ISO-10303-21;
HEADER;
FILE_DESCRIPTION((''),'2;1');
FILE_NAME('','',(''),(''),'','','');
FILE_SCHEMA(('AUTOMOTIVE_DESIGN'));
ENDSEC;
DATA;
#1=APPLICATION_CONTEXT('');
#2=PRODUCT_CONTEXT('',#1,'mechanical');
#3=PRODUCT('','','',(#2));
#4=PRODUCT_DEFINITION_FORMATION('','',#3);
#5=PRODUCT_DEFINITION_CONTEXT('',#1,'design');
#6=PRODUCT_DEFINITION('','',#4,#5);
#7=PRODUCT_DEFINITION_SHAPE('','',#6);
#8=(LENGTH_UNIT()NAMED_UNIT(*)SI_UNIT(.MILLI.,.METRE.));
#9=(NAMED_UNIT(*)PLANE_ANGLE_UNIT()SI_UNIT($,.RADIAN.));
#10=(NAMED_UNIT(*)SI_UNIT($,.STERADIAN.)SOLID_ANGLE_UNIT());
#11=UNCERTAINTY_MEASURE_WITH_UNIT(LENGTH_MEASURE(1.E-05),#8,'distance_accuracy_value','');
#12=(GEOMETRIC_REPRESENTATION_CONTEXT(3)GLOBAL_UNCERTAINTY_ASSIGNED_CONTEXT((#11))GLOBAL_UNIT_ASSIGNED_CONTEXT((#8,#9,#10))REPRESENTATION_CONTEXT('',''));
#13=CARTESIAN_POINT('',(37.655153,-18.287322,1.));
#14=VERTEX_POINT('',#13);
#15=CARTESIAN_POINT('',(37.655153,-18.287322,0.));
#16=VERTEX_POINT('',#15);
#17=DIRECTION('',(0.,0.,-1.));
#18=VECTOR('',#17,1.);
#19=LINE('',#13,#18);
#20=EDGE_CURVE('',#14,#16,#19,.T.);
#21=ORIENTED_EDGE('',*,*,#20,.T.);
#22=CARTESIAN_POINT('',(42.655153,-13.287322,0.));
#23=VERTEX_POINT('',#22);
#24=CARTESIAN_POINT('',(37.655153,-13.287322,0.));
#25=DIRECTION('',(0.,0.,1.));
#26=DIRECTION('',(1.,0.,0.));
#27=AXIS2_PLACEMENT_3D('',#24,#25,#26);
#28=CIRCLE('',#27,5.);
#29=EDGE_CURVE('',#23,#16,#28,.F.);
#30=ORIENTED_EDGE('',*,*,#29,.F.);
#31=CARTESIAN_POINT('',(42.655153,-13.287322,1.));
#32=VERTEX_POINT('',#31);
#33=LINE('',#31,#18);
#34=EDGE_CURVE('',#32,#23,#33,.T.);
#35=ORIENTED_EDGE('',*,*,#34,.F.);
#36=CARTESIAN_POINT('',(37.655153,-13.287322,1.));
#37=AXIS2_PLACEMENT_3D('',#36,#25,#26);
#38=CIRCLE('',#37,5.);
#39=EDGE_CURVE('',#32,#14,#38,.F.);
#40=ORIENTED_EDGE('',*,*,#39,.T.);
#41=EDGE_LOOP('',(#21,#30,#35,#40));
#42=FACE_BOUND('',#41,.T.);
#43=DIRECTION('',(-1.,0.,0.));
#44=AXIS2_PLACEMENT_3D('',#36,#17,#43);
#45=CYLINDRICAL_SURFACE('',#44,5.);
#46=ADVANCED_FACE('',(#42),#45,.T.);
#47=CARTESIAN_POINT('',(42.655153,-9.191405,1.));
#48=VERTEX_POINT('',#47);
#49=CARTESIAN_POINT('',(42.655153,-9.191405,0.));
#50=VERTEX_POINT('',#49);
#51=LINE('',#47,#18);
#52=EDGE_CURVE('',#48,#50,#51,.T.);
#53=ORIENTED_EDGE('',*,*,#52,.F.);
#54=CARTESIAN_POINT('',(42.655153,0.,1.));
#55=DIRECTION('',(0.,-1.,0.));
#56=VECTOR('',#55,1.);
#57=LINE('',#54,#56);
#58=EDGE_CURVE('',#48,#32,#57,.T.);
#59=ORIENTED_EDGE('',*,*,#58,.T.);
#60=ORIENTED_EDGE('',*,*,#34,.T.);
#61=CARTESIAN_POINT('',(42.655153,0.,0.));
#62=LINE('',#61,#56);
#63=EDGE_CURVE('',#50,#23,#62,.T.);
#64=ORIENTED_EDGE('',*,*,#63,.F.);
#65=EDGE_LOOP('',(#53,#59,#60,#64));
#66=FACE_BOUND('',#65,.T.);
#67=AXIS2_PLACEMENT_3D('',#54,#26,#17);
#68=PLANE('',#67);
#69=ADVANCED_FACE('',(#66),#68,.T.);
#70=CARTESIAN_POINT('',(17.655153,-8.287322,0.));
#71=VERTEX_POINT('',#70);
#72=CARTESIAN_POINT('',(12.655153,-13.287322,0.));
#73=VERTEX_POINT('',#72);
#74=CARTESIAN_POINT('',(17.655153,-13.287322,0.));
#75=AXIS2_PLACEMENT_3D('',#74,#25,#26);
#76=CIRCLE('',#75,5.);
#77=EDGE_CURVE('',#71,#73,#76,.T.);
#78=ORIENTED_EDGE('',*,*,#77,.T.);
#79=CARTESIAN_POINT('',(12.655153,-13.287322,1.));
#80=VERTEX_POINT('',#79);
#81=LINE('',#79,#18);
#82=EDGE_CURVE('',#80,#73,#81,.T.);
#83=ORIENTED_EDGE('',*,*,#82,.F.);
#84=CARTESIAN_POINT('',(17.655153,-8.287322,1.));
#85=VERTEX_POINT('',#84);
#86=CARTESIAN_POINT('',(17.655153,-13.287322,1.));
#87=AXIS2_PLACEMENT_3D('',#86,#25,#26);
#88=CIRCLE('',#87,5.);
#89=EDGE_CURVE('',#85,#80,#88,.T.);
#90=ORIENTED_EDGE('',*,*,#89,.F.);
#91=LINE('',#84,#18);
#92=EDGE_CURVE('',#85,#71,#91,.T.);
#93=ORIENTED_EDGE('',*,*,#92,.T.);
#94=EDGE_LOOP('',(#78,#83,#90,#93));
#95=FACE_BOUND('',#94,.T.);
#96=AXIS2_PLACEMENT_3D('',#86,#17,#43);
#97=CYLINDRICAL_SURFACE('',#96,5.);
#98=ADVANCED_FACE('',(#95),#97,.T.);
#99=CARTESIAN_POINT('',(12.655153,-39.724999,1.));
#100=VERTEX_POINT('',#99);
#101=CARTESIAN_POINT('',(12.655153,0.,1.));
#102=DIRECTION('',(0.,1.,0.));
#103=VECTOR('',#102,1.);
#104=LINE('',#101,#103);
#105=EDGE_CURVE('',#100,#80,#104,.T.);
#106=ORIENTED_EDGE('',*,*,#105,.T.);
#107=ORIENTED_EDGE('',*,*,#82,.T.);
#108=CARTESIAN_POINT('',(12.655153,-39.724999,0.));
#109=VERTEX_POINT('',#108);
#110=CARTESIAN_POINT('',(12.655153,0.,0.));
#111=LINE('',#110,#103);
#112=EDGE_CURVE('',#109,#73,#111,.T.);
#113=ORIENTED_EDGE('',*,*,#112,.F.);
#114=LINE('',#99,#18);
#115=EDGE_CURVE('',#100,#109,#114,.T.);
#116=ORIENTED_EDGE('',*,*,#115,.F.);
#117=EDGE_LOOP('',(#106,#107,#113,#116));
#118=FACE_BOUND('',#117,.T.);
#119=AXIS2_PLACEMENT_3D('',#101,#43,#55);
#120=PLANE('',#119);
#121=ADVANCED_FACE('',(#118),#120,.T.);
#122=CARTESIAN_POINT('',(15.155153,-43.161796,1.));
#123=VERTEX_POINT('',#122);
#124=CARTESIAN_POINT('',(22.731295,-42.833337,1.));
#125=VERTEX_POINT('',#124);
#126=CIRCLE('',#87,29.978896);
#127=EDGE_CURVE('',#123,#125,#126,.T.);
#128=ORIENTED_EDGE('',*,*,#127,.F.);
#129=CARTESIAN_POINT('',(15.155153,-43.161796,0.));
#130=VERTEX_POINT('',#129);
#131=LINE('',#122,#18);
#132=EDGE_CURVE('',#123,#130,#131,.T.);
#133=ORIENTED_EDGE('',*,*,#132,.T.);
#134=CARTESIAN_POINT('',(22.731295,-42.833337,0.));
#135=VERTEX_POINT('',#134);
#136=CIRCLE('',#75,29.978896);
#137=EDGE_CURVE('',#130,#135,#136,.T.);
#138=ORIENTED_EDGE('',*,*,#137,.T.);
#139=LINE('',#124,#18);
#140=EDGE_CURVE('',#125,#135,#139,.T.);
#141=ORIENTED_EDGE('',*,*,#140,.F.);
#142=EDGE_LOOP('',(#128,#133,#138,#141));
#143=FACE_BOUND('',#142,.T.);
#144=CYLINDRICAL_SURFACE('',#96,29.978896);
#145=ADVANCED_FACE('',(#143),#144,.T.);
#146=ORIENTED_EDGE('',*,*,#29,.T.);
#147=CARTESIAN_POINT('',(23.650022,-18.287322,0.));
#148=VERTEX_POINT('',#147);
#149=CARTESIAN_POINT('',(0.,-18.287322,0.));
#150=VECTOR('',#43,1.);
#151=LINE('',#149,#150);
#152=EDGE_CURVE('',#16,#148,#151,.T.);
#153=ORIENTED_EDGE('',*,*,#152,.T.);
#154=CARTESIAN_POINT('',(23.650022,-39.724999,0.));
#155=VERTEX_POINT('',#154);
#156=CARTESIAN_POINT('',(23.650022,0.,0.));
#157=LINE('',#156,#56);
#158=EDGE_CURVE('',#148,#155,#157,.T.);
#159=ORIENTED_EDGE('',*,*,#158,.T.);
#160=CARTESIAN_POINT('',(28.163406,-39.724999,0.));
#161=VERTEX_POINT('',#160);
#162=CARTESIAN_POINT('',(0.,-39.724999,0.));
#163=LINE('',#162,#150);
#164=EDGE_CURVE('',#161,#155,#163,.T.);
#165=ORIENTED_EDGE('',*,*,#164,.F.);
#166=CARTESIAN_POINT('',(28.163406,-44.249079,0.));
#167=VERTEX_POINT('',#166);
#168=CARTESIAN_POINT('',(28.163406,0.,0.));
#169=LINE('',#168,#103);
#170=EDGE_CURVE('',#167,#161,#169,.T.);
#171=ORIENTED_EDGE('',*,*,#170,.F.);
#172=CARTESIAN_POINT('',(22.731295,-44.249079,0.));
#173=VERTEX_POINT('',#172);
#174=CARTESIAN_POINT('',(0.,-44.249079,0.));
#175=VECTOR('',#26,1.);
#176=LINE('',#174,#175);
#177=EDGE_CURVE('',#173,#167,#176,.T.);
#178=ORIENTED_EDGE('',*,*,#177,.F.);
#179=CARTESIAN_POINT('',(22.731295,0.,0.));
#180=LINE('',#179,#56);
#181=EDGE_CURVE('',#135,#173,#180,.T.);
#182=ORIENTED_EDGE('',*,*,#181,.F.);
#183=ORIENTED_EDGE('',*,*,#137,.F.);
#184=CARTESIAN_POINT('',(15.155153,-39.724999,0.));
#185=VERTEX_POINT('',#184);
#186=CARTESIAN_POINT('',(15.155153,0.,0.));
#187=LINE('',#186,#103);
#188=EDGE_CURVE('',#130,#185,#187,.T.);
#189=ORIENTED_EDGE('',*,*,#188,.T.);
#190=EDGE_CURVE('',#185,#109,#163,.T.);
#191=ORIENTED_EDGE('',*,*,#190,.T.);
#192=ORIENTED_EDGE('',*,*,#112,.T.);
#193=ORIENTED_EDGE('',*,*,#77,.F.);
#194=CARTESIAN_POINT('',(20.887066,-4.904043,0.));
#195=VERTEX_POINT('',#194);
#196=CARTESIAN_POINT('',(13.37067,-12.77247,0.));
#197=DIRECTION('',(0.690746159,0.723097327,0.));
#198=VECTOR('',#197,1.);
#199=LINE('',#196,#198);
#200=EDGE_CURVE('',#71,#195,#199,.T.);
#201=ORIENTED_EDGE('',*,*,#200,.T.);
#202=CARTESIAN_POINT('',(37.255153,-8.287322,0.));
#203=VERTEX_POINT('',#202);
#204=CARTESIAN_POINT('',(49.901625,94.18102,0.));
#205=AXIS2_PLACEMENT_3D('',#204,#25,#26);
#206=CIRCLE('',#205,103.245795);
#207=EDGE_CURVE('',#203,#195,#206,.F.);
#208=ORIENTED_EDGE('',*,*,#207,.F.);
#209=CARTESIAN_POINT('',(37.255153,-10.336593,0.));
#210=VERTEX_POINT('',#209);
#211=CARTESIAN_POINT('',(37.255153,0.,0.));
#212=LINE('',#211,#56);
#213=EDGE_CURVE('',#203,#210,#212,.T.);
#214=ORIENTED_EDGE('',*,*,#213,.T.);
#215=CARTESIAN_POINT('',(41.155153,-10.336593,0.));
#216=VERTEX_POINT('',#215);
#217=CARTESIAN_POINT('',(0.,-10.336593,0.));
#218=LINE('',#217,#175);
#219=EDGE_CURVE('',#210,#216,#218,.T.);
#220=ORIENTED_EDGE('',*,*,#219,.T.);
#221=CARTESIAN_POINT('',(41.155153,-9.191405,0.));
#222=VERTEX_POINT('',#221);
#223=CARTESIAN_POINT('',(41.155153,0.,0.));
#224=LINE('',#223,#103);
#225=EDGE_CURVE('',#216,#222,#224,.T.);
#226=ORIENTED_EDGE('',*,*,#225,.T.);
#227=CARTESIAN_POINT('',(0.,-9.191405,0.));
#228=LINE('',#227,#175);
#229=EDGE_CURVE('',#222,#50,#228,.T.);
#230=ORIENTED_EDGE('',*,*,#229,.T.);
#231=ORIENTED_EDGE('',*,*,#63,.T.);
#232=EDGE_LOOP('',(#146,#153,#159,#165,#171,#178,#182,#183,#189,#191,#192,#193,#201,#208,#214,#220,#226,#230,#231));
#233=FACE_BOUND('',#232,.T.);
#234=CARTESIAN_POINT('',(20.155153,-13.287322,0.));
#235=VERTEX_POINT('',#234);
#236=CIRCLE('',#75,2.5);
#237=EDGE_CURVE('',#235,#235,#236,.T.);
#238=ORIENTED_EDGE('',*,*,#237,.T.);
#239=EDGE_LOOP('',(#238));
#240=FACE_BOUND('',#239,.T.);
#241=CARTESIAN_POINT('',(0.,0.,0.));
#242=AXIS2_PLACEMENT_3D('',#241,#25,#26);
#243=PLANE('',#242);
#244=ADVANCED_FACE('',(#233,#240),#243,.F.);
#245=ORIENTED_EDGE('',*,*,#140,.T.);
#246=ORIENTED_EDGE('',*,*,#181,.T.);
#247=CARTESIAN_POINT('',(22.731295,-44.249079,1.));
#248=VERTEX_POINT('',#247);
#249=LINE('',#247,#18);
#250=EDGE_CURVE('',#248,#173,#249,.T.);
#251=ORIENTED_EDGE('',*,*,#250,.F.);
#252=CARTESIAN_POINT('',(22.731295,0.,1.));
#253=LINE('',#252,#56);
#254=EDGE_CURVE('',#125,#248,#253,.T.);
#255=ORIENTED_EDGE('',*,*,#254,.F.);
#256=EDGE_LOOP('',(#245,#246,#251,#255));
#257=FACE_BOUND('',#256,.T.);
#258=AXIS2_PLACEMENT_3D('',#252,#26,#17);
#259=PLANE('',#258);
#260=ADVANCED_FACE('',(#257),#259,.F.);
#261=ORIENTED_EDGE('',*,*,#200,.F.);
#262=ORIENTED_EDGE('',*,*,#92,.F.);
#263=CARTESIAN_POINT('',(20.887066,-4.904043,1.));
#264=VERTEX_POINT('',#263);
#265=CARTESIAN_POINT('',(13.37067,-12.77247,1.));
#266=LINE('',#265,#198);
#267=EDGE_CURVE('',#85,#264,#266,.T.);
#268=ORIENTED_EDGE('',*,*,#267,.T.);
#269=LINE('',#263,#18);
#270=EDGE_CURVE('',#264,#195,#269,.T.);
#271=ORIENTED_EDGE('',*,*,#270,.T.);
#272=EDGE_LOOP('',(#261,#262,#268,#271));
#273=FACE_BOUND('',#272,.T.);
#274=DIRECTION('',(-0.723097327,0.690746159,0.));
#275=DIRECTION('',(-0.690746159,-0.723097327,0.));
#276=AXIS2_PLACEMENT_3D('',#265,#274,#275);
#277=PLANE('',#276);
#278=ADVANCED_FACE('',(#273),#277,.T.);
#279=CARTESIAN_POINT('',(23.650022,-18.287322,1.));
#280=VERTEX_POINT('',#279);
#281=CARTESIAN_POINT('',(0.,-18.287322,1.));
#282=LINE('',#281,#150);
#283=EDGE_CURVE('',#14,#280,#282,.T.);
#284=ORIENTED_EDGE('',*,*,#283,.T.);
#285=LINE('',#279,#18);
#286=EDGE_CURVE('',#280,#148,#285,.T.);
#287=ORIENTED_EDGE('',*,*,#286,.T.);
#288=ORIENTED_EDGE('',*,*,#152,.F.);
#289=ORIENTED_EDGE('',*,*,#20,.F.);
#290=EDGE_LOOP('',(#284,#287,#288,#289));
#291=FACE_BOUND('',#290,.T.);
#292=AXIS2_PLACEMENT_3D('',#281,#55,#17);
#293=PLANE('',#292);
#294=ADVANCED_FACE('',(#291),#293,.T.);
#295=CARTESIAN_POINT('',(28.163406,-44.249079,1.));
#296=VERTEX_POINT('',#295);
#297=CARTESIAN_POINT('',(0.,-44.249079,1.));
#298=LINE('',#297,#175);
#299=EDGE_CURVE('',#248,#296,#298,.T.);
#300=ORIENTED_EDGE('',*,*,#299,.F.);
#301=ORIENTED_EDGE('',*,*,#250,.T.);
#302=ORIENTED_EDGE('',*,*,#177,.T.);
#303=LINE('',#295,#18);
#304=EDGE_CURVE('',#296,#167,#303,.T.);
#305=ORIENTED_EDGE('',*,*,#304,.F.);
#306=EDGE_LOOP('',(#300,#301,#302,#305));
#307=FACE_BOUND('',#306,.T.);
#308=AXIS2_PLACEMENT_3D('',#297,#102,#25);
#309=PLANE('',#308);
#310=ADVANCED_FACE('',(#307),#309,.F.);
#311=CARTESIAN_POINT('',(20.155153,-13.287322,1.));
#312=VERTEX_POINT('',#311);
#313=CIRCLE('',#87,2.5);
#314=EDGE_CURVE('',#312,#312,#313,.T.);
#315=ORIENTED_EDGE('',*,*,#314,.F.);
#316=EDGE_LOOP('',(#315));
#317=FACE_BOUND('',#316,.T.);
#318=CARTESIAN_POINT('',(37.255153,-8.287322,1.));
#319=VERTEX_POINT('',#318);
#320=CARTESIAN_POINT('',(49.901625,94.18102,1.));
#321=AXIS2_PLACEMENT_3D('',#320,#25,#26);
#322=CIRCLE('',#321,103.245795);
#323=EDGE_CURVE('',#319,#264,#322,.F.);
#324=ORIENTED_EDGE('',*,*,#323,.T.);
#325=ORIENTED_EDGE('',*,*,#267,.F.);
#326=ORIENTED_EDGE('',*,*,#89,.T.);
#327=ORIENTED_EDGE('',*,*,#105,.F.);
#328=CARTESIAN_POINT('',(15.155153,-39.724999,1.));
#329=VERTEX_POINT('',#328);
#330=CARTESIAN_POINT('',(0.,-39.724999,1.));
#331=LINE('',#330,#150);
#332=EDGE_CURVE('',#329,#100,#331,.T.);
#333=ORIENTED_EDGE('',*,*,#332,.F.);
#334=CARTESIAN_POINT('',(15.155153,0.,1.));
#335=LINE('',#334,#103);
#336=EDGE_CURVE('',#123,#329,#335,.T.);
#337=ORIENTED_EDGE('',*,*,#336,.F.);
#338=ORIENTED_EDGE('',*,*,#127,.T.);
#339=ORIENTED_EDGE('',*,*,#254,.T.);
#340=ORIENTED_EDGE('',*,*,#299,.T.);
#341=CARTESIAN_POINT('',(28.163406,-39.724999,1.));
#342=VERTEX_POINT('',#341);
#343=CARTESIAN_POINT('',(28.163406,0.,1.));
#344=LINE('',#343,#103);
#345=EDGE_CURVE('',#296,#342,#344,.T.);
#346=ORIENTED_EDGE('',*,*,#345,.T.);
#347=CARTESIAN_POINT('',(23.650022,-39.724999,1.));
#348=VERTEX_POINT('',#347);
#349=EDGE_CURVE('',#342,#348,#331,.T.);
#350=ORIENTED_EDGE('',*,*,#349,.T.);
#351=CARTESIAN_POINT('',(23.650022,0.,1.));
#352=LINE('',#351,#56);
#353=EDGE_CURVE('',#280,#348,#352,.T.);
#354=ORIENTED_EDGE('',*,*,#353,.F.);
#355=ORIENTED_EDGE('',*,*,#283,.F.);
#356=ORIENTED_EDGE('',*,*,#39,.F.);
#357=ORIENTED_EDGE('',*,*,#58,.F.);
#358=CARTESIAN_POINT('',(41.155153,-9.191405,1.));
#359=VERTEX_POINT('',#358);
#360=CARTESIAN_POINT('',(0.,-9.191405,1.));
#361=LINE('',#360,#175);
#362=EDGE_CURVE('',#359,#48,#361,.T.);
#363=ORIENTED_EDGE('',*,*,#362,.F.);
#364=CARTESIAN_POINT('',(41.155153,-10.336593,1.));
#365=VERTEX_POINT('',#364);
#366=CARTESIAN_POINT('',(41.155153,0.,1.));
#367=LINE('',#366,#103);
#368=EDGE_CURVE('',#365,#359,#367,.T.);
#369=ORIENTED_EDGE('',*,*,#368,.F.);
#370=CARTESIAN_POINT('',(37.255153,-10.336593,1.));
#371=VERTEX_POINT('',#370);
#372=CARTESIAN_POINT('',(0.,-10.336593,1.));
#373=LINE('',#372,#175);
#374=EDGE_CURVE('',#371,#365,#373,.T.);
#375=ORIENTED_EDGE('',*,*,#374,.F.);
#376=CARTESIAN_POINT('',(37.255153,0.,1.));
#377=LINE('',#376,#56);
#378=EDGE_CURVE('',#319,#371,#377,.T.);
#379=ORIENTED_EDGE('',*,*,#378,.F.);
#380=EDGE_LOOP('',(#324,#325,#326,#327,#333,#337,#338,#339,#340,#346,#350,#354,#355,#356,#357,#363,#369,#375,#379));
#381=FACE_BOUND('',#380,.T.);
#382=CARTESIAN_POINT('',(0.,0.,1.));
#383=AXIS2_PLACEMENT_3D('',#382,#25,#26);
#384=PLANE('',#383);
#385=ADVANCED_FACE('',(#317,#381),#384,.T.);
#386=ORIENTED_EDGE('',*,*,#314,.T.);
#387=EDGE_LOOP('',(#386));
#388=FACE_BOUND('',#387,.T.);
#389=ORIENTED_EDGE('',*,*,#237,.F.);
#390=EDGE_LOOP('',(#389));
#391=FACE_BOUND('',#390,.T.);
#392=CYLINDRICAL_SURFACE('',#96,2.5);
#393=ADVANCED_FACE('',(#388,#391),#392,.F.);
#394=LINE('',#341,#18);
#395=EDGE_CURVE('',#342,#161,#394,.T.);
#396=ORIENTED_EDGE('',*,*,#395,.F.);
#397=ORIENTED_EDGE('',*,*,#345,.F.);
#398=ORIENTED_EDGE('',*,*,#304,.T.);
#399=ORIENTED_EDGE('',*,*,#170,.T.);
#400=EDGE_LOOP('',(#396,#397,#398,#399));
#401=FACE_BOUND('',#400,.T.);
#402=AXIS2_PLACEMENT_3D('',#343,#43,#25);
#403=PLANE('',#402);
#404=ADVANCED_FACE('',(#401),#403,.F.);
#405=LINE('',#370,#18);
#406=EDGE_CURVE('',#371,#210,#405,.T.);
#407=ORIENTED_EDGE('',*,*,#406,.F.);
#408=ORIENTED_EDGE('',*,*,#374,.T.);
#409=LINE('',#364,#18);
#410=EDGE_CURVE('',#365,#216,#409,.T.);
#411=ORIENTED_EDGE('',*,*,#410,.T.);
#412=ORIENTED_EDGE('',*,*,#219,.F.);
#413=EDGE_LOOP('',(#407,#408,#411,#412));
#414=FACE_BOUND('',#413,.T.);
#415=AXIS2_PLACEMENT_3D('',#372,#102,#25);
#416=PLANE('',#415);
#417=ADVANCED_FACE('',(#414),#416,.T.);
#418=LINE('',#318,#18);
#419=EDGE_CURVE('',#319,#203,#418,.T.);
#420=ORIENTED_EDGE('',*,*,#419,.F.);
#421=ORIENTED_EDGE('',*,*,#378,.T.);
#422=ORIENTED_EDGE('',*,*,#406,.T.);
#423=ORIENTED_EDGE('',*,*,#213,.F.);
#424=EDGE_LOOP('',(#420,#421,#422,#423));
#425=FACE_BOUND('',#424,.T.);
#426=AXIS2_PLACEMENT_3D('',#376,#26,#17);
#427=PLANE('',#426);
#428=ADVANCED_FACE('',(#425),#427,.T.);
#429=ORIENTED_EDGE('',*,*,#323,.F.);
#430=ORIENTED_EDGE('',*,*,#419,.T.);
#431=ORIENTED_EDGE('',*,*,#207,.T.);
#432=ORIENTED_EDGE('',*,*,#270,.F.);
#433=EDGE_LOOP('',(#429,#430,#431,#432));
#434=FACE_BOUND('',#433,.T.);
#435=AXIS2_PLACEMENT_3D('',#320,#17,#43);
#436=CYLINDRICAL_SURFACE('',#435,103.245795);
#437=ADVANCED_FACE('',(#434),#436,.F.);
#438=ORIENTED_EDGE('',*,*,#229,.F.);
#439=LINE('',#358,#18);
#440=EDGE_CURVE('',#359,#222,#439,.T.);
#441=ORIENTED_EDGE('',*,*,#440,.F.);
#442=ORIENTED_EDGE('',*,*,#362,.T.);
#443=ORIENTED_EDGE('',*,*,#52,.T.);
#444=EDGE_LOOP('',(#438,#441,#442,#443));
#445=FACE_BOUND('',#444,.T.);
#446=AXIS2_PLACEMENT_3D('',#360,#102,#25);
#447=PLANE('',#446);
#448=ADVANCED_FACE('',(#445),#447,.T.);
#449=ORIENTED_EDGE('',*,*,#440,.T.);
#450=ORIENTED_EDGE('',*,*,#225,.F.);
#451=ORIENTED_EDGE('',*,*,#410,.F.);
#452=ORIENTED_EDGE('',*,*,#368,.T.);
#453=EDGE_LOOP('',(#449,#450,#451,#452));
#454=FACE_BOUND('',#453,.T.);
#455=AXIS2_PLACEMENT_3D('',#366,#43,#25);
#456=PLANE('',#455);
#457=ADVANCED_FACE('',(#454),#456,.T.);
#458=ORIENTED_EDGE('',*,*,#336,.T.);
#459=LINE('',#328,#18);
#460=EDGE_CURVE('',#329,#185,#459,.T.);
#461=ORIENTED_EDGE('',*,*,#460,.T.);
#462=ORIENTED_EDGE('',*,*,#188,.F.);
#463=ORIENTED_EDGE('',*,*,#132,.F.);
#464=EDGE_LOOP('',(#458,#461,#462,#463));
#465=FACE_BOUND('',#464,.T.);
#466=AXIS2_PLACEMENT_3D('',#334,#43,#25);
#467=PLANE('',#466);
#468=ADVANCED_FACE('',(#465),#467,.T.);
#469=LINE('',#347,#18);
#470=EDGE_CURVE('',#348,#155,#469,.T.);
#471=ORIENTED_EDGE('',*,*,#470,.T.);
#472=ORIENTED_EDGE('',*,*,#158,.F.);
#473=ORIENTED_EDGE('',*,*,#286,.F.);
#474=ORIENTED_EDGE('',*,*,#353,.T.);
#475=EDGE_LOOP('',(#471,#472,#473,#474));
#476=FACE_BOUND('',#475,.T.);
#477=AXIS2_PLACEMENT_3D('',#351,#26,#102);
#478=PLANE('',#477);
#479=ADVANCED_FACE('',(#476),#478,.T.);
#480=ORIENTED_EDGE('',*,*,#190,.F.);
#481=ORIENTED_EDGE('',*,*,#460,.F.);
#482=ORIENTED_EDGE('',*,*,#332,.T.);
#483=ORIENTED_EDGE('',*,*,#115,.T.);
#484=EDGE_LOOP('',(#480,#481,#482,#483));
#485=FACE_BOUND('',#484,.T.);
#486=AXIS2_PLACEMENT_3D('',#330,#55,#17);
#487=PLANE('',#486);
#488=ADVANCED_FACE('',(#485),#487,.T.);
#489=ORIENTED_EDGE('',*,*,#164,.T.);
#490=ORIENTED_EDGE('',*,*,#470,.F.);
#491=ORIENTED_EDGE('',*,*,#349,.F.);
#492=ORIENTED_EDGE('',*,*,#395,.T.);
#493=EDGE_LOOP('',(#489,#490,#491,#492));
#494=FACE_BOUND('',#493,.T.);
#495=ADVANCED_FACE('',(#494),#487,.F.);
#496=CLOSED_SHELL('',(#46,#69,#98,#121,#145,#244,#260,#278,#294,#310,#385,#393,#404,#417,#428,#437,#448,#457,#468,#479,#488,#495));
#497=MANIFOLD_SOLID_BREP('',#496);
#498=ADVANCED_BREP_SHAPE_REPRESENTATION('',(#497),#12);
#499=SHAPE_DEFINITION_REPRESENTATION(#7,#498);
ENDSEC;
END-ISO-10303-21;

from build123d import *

# Parameters (mm, degrees)
SKETCH_1_R      = 2.5
EXTRUDE_1_DEPTH = 1


with BuildPart() as part:
    # 스케치1 → 보스-돌출1 (new body)
    with BuildSketch(Plane.XY):
        with BuildLine():
            Line((20.887065526, -4.904042543), (17.65515334, -8.287321674))
            ThreePointArc((17.65515334, -8.287321674), (14.119619434, -9.751787768), (12.65515334, -13.287321674))
            Line((12.65515334, -13.287321674), (12.65515334, -39.724999499))
            Line((12.65515334, -39.724999499), (15.15515334, -39.724999499))
            Line((15.15515334, -39.724999499), (15.15515334, -43.161796007))
            ThreePointArc((15.15515334, -43.161796007), (18.953651475, -43.238083254), (22.731294666, -42.833336733))
            Line((22.731294666, -42.833336733), (22.731294666, -44.249079054))
            Line((22.731294666, -44.249079054), (28.163405743, -44.249079054))
            Line((28.163405743, -44.249079054), (28.163405743, -39.724999499))
            Line((28.163405743, -39.724999499), (25.906714003, -39.724999499))
            Line((25.906714003, -39.724999499), (23.650022264, -39.724999499))
            Line((23.650022264, -39.724999499), (23.650022264, -18.287321674))
            Line((23.650022264, -18.287321674), (37.65515334, -18.287321674))
            ThreePointArc((37.65515334, -18.287321674), (41.190687246, -16.82285558), (42.65515334, -13.287321674))
            Line((42.65515334, -13.287321674), (42.65515334, -9.191405084))
            Line((42.65515334, -9.191405084), (41.15515334, -9.191405084))
            Line((41.15515334, -9.191405084), (41.15515334, -10.336593208))
            Line((41.15515334, -10.336593208), (37.25515334, -10.336593208))
            Line((37.25515334, -10.336593208), (37.25515334, -8.287321674))
            ThreePointArc((37.25515334, -8.287321674), (29.002533556, -6.92744781), (20.887065526, -4.904042543))
        make_face()
        with Locations((17.65515334, -13.287321674)):
            Circle(SKETCH_1_R, mode=Mode.SUBTRACT)
    extrude(amount=EXTRUDE_1_DEPTH)


solid = part.part
